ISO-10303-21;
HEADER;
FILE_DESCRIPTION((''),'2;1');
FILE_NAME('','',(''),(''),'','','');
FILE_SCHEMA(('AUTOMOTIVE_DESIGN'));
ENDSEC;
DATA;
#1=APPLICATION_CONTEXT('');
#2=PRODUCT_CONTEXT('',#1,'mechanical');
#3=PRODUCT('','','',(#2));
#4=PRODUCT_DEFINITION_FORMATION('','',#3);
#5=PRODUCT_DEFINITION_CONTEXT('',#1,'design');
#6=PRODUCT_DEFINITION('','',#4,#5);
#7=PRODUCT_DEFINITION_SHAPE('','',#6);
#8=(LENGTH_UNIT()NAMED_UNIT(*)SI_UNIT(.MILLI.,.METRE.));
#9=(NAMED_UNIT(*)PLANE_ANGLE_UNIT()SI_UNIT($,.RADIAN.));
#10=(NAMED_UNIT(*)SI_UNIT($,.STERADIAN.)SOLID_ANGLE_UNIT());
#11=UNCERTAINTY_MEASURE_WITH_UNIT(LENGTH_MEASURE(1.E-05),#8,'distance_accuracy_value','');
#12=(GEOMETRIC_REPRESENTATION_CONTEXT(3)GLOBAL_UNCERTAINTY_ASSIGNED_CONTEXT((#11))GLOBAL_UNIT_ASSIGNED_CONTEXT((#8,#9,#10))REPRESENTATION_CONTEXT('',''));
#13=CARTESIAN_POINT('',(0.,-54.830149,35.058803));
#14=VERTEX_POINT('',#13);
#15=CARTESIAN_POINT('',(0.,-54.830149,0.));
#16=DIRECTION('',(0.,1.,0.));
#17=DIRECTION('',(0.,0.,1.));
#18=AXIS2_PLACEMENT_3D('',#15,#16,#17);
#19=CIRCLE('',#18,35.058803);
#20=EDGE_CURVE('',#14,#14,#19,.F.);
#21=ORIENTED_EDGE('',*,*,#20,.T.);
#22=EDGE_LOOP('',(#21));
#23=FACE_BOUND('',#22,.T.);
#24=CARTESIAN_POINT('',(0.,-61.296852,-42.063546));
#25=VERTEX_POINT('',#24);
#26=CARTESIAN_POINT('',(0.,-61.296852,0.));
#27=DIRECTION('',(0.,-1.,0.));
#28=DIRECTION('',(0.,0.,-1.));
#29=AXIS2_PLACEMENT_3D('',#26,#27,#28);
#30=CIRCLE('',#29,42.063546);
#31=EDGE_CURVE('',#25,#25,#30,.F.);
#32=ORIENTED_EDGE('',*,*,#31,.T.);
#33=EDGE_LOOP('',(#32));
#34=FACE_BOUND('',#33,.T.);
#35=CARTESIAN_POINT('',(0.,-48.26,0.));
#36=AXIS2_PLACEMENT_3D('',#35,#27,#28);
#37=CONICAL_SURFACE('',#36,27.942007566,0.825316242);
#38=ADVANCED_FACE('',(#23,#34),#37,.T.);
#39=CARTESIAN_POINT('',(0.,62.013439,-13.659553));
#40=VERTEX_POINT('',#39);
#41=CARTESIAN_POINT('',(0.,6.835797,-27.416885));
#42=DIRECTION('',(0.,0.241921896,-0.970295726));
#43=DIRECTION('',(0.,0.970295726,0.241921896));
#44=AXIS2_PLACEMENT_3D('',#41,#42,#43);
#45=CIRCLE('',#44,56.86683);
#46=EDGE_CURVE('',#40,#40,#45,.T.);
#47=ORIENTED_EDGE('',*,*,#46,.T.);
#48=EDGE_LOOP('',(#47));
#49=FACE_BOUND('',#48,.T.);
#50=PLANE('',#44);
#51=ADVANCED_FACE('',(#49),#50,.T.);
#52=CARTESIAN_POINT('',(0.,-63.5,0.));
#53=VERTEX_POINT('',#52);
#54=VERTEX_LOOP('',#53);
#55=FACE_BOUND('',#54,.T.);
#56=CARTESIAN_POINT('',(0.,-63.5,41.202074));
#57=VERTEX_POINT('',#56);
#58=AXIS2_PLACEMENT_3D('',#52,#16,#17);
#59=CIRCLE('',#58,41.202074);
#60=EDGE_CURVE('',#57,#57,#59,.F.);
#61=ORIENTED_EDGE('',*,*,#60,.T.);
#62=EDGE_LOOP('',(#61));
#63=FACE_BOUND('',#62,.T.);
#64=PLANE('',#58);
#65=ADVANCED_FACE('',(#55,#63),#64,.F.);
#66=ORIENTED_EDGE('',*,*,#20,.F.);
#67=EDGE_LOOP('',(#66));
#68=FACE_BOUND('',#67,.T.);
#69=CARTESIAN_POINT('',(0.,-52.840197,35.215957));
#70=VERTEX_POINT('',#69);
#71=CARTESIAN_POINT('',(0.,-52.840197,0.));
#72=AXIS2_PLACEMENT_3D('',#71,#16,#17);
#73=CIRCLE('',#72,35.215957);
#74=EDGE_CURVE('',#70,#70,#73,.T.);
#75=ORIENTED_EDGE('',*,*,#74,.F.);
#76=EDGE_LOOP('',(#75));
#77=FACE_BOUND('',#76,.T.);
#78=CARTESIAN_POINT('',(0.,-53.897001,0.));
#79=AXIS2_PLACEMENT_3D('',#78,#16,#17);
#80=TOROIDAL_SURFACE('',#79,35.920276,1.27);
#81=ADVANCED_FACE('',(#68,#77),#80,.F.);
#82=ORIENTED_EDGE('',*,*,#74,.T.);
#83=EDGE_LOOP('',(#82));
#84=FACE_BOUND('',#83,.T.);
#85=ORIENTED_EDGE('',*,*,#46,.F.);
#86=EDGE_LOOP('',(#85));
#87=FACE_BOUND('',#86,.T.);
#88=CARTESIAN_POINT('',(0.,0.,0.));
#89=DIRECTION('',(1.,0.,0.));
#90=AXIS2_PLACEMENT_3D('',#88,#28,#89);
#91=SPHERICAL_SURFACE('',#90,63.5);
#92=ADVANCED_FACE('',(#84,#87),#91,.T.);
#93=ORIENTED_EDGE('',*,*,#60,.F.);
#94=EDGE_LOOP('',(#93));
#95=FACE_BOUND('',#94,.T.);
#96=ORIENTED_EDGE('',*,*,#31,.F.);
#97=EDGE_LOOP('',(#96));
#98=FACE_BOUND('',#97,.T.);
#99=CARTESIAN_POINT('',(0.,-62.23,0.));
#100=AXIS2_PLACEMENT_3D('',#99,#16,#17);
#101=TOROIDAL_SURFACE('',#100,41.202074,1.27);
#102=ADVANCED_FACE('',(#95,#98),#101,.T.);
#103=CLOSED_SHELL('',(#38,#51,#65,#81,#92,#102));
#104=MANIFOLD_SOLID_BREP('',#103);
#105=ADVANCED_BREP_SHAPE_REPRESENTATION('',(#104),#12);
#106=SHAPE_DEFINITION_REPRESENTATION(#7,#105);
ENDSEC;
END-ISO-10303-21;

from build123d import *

# Parameters (mm, degrees)
SKETCH8_R          = 27.942007566
SKETCH9_R          = 44.45
FILLET2_R          = 1.27
FILLET3_R          = 1.27
SKETCH12_R         = 57.37388449
CUT_EXTRUDE1_DEPTH = 38.1


with BuildPart() as part:
    # Base_sketch → Revolve2 (revolve)
    with BuildSketch(Plane(origin=(0, 0, 0), x_dir=(1, 0, 0), z_dir=(0, 1, 0))):
        with BuildLine():
            Line((0, 63.5), (0, -63.5))
            ThreePointArc((0, -63.5), (63.5, 0), (0, 63.5))
        make_face()
    revolve(axis=Axis((0, 0, -63.5), (0, 0, 1)))


with BuildPart() as body_2:
    # Sketch8 → Loft1 section 0
    with BuildSketch(Plane(origin=(0, -48.26, 0), x_dir=(1, 0, 0), z_dir=(0, 1, 0))):
        Circle(SKETCH8_R)
    # Sketch9 → Loft1 section 1
    with BuildSketch(Plane(origin=(0, -63.5, 0), x_dir=(1, 0, 0), z_dir=(0, 1, 0))):
        Circle(SKETCH9_R)
    loft()

    # Combine1: union part
    add(part.part)

    # Fillet2
    fillet2_edges = [body_2.edges().sort_by_distance(p)[0] for p in [
        (-33.857266982, -53.720903494, -1.69e-07),
    ]]
    fillet(fillet2_edges, radius=FILLET2_R)

    # Fillet3
    fillet3_edges = [body_2.edges().sort_by_distance(p)[0] for p in [
        (-44.45, -63.5, 0),
    ]]
    fillet(fillet3_edges, radius=FILLET3_R)

    # Sketch12 → Cut-Extrude1 (cut)
    with BuildSketch(Plane(origin=(0, 6.835797067, -27.41688454), x_dir=(-1, 0, 0), z_dir=(0, 0.2419218955996649, -0.9702957262759973))):
        Circle(SKETCH12_R)
    extrude(amount=CUT_EXTRUDE1_DEPTH, mode=Mode.SUBTRACT)


solid = body_2.part
